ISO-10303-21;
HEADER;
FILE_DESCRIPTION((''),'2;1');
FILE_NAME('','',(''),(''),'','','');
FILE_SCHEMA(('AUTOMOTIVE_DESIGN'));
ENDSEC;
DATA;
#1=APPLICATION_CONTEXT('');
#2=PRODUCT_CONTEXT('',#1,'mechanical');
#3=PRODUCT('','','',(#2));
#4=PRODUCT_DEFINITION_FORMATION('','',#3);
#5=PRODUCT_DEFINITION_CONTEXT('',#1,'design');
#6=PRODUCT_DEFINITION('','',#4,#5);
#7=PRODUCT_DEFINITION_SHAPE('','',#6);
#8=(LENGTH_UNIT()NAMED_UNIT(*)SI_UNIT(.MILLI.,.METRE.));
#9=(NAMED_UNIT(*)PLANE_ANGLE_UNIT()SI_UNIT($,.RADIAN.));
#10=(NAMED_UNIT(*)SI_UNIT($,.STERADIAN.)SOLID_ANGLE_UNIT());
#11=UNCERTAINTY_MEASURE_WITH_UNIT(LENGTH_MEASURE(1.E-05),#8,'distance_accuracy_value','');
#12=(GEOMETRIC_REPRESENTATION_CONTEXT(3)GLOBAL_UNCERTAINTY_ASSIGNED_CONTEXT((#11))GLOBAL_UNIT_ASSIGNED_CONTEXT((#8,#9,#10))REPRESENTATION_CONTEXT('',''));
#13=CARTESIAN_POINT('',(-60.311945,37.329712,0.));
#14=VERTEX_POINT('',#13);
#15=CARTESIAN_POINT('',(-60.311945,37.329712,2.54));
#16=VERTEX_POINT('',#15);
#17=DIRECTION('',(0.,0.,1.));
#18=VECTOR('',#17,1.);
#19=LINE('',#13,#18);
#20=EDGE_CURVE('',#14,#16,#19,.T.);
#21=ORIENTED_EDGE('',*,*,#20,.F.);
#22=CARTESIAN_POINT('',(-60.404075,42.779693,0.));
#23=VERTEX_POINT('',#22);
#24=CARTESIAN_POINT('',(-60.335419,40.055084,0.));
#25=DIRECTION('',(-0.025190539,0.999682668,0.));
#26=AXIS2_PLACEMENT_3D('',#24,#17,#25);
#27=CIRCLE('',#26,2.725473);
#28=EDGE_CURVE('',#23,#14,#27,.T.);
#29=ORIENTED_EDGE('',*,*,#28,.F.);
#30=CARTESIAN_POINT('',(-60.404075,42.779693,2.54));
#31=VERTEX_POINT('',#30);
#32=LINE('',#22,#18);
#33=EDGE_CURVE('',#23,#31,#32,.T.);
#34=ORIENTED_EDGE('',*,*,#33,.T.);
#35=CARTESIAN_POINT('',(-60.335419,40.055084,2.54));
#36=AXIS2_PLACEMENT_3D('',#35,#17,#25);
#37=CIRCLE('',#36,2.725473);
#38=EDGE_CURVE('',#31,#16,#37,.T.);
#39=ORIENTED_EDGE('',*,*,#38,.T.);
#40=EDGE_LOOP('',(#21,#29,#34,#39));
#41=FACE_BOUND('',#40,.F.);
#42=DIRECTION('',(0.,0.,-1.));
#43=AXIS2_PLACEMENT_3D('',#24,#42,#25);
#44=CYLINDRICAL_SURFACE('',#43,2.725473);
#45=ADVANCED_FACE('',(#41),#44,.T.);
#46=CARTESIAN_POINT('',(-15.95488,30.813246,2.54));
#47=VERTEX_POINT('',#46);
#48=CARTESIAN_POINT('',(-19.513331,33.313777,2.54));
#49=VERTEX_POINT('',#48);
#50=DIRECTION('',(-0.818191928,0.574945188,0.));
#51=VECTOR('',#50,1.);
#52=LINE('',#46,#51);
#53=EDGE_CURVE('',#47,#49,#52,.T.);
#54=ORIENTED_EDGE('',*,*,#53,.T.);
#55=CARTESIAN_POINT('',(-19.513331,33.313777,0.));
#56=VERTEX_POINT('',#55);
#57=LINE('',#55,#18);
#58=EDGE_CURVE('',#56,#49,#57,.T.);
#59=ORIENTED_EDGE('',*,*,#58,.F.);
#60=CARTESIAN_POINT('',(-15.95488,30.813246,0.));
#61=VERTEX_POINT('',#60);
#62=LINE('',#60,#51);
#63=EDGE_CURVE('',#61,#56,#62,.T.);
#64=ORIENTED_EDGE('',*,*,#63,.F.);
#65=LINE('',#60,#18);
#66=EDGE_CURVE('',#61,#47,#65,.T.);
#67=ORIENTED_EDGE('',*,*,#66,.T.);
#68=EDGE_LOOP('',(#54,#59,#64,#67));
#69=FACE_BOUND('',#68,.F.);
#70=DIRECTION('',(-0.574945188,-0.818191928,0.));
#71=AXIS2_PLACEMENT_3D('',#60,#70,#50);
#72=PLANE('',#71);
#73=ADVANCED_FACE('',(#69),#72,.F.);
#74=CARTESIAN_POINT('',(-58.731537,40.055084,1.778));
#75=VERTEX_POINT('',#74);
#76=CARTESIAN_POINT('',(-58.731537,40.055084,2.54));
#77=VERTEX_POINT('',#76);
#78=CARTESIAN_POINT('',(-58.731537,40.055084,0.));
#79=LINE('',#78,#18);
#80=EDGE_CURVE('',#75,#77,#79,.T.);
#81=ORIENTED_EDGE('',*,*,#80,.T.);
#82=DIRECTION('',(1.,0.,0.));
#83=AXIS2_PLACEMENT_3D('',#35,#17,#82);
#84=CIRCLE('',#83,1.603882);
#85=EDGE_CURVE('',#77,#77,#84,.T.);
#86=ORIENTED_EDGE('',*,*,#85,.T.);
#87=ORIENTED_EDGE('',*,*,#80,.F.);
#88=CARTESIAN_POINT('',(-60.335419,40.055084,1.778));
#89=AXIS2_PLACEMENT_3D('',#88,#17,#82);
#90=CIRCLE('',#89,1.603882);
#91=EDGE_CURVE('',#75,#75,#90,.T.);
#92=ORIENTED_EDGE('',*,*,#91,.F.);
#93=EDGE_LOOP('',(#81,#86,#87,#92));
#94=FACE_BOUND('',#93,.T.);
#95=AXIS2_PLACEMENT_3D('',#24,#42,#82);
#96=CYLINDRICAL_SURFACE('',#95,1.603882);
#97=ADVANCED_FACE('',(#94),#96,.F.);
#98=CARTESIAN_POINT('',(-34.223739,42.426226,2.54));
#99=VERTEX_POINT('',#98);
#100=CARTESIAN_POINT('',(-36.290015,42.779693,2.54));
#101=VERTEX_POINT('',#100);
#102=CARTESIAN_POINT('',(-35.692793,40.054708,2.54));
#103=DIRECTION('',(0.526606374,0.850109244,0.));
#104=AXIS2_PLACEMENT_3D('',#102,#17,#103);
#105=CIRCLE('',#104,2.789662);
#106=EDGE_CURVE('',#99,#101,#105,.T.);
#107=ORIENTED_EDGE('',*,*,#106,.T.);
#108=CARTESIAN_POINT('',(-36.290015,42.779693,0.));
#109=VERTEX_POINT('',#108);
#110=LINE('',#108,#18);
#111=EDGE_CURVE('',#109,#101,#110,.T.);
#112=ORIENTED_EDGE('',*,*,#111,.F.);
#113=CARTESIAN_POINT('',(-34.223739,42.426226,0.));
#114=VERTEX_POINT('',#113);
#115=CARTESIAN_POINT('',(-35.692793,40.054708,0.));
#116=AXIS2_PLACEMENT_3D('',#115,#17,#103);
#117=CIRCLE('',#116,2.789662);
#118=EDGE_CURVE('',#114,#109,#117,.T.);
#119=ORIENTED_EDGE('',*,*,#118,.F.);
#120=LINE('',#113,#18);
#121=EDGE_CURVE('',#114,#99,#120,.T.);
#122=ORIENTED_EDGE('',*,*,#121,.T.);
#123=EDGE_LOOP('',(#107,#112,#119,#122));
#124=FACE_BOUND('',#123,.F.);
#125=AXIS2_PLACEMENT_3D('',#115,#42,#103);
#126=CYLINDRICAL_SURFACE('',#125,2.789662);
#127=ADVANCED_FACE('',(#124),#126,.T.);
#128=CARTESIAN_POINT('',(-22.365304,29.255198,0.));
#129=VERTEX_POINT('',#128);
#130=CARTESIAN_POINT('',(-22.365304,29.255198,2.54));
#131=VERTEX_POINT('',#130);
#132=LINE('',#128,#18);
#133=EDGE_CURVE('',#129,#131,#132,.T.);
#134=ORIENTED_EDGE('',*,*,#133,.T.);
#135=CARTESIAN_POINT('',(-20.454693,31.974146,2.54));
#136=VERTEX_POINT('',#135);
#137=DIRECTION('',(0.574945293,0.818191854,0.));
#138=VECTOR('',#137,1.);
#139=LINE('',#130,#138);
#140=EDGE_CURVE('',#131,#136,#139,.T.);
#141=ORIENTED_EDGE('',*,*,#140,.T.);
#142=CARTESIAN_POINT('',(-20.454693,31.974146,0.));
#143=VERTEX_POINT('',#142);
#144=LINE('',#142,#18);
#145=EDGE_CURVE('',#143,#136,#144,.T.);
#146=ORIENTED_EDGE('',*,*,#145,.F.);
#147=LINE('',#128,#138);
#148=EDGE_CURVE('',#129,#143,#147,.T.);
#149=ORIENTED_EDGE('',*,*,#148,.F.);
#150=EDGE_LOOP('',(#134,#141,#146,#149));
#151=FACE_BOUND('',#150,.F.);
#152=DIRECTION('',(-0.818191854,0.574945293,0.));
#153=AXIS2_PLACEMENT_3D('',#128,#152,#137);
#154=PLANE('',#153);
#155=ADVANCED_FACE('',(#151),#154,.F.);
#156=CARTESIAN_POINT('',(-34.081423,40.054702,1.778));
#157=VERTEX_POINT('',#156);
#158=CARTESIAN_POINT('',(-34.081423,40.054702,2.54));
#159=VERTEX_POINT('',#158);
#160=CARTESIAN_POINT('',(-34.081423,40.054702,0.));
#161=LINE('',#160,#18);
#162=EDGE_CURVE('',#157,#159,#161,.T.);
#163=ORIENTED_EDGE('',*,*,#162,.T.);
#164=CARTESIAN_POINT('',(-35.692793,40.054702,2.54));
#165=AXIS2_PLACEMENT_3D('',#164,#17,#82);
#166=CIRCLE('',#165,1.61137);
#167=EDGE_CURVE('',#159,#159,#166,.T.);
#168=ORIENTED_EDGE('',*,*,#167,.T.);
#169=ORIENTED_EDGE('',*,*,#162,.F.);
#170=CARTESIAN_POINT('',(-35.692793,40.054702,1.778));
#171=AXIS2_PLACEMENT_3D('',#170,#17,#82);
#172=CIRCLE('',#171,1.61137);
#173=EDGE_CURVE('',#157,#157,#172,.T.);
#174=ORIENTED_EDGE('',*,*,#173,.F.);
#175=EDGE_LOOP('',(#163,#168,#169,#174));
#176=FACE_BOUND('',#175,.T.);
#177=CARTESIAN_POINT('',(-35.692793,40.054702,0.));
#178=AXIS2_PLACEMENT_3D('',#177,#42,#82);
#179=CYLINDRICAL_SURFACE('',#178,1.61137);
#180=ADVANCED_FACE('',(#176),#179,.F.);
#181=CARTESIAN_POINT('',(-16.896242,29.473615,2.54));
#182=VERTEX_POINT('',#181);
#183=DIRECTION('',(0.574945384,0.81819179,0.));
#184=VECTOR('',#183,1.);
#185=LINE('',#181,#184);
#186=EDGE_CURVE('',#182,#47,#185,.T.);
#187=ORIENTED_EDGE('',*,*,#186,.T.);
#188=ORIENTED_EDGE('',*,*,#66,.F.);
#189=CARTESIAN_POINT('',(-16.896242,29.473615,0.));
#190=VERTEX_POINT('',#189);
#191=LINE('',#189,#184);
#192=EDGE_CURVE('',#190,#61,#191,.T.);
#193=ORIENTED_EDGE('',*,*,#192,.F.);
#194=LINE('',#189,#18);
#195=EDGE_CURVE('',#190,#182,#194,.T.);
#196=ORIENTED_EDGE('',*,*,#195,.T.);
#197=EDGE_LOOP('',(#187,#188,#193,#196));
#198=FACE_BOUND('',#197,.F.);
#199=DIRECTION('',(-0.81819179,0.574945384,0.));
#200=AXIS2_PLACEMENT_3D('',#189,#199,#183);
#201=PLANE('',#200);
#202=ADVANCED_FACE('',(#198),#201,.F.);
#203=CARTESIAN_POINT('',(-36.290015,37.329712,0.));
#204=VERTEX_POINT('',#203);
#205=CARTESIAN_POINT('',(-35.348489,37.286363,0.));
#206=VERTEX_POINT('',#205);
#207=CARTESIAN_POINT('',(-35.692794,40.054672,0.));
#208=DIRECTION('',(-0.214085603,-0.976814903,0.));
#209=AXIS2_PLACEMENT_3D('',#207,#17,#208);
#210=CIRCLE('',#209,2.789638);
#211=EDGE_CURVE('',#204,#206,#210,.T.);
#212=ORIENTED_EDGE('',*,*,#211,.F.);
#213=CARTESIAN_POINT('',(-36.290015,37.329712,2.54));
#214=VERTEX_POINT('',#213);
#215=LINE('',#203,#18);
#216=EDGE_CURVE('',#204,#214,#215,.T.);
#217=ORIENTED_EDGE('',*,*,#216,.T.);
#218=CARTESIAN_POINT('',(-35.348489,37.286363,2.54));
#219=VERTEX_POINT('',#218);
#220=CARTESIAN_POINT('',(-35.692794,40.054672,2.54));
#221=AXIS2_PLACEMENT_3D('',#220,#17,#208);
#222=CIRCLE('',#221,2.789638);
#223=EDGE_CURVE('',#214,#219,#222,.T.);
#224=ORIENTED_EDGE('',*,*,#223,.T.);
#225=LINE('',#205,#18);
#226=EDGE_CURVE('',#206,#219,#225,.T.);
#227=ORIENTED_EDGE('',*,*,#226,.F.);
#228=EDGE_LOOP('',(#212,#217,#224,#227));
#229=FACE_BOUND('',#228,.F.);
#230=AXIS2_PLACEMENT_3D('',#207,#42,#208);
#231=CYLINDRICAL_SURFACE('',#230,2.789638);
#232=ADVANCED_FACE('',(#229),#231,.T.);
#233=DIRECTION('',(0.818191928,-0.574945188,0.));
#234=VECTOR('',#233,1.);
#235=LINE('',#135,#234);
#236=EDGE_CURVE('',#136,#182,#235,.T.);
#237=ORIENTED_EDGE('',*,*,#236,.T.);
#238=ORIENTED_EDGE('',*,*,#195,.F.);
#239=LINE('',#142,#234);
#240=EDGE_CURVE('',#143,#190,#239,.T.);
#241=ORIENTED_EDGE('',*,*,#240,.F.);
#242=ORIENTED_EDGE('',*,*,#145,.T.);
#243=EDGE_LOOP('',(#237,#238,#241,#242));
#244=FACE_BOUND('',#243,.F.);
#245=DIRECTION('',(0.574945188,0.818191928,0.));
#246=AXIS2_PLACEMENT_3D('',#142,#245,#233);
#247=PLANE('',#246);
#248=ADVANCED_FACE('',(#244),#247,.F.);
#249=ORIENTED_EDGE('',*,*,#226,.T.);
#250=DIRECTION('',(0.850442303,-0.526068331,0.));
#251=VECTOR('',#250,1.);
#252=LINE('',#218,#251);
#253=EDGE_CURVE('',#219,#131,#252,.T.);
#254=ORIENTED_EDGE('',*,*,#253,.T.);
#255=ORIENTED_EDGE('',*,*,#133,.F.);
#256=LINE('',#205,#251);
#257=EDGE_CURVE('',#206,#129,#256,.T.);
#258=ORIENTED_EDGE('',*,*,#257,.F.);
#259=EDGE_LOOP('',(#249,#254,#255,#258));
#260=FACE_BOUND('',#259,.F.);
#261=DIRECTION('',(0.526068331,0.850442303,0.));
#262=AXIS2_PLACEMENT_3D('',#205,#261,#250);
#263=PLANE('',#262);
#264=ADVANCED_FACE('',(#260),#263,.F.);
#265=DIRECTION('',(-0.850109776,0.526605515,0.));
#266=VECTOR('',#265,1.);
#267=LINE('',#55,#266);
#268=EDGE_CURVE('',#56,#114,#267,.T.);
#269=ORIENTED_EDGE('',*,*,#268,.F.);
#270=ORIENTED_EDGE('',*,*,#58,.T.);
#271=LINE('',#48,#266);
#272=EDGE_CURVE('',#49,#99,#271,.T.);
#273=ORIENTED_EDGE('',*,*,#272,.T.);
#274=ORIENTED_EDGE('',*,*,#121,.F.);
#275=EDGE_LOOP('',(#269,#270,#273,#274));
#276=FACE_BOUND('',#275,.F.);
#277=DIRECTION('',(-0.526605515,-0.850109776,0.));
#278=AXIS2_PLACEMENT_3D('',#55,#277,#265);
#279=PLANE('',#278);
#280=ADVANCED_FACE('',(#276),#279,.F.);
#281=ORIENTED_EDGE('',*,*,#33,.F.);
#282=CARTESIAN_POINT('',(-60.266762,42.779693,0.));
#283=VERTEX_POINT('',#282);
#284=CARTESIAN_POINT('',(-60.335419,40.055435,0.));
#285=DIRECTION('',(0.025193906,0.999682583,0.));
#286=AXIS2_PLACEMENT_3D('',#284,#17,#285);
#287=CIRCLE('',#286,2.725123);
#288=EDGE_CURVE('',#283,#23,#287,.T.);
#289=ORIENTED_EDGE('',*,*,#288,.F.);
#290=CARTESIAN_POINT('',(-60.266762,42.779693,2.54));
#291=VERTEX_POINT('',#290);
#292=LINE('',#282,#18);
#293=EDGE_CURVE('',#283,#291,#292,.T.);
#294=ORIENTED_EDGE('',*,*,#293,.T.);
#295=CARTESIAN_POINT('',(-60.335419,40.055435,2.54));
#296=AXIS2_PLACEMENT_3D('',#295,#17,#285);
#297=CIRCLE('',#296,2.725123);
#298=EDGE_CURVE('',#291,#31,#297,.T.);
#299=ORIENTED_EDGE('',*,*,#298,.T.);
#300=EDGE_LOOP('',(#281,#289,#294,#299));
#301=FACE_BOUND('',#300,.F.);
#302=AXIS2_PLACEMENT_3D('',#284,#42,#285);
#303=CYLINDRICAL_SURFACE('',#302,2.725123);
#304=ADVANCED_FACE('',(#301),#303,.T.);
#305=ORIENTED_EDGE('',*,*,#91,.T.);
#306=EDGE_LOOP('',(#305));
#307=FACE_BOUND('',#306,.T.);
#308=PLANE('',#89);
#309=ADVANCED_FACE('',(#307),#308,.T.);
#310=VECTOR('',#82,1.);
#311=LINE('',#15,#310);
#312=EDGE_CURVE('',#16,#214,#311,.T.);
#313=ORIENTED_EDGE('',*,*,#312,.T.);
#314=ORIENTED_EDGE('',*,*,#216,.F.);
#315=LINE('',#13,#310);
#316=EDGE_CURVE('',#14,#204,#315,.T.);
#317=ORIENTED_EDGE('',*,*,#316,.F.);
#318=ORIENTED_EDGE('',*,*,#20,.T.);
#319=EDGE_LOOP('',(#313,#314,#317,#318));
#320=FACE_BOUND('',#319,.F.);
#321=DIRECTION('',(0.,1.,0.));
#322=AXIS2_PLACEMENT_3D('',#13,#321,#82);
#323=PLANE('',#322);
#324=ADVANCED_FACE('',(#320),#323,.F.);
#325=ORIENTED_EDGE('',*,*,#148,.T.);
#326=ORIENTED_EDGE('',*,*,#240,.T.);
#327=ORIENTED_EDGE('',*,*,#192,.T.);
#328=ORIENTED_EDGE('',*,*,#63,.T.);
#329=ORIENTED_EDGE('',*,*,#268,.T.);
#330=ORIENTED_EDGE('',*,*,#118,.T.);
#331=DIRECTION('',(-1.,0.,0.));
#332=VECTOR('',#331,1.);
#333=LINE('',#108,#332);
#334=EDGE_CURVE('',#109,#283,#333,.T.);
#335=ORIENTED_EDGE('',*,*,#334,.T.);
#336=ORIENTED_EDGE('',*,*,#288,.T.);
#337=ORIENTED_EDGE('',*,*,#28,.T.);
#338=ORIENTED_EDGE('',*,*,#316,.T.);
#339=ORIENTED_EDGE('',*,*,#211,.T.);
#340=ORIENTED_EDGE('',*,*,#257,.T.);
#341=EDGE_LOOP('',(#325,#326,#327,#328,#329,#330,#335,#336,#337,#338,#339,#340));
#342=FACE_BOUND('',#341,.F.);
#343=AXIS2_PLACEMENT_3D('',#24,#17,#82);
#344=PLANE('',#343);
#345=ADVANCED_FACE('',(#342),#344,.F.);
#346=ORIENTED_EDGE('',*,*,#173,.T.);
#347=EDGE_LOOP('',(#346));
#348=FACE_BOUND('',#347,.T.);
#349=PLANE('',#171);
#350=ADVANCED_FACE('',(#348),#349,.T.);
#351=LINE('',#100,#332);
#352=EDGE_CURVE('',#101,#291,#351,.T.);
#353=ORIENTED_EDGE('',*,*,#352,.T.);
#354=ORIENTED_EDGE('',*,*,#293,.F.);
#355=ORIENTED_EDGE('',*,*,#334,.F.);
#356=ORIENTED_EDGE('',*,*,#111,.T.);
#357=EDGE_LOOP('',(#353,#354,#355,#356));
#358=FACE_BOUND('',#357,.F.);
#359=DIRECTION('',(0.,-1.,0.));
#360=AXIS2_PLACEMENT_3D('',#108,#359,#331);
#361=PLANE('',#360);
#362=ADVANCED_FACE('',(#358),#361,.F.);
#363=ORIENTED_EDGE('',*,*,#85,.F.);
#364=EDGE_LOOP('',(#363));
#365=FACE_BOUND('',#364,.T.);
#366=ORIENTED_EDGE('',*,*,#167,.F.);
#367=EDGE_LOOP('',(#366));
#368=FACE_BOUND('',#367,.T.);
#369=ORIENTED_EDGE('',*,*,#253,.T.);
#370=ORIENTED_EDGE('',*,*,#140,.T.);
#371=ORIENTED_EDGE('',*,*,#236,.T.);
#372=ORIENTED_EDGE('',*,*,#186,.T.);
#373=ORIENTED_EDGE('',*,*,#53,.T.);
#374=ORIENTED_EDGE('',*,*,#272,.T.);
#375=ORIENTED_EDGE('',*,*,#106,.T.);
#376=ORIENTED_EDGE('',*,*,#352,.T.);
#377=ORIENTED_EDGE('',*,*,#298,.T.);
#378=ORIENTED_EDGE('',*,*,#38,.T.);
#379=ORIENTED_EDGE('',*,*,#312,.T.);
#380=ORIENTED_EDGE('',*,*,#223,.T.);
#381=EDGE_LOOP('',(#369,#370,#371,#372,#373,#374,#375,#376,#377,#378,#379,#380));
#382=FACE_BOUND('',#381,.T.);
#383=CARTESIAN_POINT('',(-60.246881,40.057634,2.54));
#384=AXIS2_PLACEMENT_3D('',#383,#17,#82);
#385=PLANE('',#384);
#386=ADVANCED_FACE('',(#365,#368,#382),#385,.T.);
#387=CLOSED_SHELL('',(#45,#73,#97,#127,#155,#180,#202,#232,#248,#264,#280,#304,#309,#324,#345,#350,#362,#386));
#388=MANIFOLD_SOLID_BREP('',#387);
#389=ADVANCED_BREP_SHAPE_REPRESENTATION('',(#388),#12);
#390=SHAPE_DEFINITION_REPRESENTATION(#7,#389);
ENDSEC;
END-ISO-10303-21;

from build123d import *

# Parameters (mm, degrees)
F0_R     = 1.603882
F0_R_2   = 1.61137
F1_DEPTH = 2.54
F2_DEPTH = 1.778


with BuildPart() as f1:
    # F0 (on Top) → F1 (new body)
    with BuildSketch(Plane.XY):
        with BuildLine():
            Line((-60.266762, 42.779693), (-60.404075, 42.779693))
            ThreePointArc((-60.404075, 42.779693), (-63.060503, 40.009018), (-60.311945, 37.329712))
            ThreePointArc((-60.311945, 37.329712), (-58.399937, 38.136201), (-57.609945, 40.055084))
            ThreePointArc((-57.609945, 40.055084), (-58.384095, 41.957857), (-60.266762, 42.779693))
        make_face()
        with Locations((-60.335419, 40.055084)):
            Circle(F0_R, mode=Mode.SUBTRACT)
        with BuildLine():
            ThreePointArc((-60.266762, 42.779693), (-60.335419, 42.780558), (-60.404075, 42.779693))
            Line((-60.404075, 42.779693), (-60.266762, 42.779693))
        make_face()
        with BuildLine():
            ThreePointArc((-57.609945, 40.055084), (-58.399937, 38.136201), (-60.311945, 37.329712))
            Line((-60.311945, 37.329712), (-36.290015, 37.329712))
            ThreePointArc((-36.290015, 37.329712), (-38.482461, 40.054702), (-36.290015, 42.779693))
            Line((-36.290015, 42.779693), (-60.266762, 42.779693))
            ThreePointArc((-60.266762, 42.779693), (-58.384095, 41.957857), (-57.609945, 40.055084))
        make_face()
        with BuildLine():
            ThreePointArc((-36.290015, 42.779693), (-38.482461, 40.054702), (-36.290015, 37.329712))
            Line((-36.290015, 37.329712), (-35.418566, 37.329712))
            Line((-35.418566, 37.329712), (-35.348489, 37.286363))
            ThreePointArc((-35.348489, 37.286363), (-33.602011, 38.207847), (-32.903125, 40.054702))
            ThreePointArc((-32.903125, 40.054702), (-33.255539, 41.411919), (-34.223739, 42.426226))
            ThreePointArc((-34.223739, 42.426226), (-35.222413, 42.804428), (-36.290015, 42.779693))
        make_face()
        with Locations((-35.692793, 40.054702)):
            Circle(F0_R_2, mode=Mode.SUBTRACT)
        with BuildLine():
            Line((-35.418566, 37.329712), (-36.290015, 37.329712))
            ThreePointArc((-36.290015, 37.329712), (-35.821096, 37.267986), (-35.348489, 37.286363))
            Line((-35.348489, 37.286363), (-35.418566, 37.329712))
        make_face()
        with BuildLine():
            ThreePointArc((-32.903125, 40.054702), (-33.602011, 38.207847), (-35.348489, 37.286363))
            Line((-35.348489, 37.286363), (-22.365304, 29.255198))
            Line((-22.365304, 29.255198), (-20.454693, 31.974146))
            Line((-20.454693, 31.974146), (-19.513331, 33.313777))
            Line((-19.513331, 33.313777), (-34.223739, 42.426226))
            ThreePointArc((-34.223739, 42.426226), (-33.255539, 41.411919), (-32.903125, 40.054702))
        make_face()
        Polygon((-15.95488, 30.813246), (-19.513331, 33.313777), (-20.454693, 31.974146), (-16.896242, 29.473615), align=None)
    extrude(amount=F1_DEPTH)

    # F0 (on Top) → F2 (join)
    with BuildSketch(Plane.XY):
        with Locations((-60.335419, 40.055084)):
            Circle(F0_R)
        with Locations((-35.692793, 40.054702)):
            Circle(F0_R_2)
    extrude(amount=F2_DEPTH)


solid = f1.part
